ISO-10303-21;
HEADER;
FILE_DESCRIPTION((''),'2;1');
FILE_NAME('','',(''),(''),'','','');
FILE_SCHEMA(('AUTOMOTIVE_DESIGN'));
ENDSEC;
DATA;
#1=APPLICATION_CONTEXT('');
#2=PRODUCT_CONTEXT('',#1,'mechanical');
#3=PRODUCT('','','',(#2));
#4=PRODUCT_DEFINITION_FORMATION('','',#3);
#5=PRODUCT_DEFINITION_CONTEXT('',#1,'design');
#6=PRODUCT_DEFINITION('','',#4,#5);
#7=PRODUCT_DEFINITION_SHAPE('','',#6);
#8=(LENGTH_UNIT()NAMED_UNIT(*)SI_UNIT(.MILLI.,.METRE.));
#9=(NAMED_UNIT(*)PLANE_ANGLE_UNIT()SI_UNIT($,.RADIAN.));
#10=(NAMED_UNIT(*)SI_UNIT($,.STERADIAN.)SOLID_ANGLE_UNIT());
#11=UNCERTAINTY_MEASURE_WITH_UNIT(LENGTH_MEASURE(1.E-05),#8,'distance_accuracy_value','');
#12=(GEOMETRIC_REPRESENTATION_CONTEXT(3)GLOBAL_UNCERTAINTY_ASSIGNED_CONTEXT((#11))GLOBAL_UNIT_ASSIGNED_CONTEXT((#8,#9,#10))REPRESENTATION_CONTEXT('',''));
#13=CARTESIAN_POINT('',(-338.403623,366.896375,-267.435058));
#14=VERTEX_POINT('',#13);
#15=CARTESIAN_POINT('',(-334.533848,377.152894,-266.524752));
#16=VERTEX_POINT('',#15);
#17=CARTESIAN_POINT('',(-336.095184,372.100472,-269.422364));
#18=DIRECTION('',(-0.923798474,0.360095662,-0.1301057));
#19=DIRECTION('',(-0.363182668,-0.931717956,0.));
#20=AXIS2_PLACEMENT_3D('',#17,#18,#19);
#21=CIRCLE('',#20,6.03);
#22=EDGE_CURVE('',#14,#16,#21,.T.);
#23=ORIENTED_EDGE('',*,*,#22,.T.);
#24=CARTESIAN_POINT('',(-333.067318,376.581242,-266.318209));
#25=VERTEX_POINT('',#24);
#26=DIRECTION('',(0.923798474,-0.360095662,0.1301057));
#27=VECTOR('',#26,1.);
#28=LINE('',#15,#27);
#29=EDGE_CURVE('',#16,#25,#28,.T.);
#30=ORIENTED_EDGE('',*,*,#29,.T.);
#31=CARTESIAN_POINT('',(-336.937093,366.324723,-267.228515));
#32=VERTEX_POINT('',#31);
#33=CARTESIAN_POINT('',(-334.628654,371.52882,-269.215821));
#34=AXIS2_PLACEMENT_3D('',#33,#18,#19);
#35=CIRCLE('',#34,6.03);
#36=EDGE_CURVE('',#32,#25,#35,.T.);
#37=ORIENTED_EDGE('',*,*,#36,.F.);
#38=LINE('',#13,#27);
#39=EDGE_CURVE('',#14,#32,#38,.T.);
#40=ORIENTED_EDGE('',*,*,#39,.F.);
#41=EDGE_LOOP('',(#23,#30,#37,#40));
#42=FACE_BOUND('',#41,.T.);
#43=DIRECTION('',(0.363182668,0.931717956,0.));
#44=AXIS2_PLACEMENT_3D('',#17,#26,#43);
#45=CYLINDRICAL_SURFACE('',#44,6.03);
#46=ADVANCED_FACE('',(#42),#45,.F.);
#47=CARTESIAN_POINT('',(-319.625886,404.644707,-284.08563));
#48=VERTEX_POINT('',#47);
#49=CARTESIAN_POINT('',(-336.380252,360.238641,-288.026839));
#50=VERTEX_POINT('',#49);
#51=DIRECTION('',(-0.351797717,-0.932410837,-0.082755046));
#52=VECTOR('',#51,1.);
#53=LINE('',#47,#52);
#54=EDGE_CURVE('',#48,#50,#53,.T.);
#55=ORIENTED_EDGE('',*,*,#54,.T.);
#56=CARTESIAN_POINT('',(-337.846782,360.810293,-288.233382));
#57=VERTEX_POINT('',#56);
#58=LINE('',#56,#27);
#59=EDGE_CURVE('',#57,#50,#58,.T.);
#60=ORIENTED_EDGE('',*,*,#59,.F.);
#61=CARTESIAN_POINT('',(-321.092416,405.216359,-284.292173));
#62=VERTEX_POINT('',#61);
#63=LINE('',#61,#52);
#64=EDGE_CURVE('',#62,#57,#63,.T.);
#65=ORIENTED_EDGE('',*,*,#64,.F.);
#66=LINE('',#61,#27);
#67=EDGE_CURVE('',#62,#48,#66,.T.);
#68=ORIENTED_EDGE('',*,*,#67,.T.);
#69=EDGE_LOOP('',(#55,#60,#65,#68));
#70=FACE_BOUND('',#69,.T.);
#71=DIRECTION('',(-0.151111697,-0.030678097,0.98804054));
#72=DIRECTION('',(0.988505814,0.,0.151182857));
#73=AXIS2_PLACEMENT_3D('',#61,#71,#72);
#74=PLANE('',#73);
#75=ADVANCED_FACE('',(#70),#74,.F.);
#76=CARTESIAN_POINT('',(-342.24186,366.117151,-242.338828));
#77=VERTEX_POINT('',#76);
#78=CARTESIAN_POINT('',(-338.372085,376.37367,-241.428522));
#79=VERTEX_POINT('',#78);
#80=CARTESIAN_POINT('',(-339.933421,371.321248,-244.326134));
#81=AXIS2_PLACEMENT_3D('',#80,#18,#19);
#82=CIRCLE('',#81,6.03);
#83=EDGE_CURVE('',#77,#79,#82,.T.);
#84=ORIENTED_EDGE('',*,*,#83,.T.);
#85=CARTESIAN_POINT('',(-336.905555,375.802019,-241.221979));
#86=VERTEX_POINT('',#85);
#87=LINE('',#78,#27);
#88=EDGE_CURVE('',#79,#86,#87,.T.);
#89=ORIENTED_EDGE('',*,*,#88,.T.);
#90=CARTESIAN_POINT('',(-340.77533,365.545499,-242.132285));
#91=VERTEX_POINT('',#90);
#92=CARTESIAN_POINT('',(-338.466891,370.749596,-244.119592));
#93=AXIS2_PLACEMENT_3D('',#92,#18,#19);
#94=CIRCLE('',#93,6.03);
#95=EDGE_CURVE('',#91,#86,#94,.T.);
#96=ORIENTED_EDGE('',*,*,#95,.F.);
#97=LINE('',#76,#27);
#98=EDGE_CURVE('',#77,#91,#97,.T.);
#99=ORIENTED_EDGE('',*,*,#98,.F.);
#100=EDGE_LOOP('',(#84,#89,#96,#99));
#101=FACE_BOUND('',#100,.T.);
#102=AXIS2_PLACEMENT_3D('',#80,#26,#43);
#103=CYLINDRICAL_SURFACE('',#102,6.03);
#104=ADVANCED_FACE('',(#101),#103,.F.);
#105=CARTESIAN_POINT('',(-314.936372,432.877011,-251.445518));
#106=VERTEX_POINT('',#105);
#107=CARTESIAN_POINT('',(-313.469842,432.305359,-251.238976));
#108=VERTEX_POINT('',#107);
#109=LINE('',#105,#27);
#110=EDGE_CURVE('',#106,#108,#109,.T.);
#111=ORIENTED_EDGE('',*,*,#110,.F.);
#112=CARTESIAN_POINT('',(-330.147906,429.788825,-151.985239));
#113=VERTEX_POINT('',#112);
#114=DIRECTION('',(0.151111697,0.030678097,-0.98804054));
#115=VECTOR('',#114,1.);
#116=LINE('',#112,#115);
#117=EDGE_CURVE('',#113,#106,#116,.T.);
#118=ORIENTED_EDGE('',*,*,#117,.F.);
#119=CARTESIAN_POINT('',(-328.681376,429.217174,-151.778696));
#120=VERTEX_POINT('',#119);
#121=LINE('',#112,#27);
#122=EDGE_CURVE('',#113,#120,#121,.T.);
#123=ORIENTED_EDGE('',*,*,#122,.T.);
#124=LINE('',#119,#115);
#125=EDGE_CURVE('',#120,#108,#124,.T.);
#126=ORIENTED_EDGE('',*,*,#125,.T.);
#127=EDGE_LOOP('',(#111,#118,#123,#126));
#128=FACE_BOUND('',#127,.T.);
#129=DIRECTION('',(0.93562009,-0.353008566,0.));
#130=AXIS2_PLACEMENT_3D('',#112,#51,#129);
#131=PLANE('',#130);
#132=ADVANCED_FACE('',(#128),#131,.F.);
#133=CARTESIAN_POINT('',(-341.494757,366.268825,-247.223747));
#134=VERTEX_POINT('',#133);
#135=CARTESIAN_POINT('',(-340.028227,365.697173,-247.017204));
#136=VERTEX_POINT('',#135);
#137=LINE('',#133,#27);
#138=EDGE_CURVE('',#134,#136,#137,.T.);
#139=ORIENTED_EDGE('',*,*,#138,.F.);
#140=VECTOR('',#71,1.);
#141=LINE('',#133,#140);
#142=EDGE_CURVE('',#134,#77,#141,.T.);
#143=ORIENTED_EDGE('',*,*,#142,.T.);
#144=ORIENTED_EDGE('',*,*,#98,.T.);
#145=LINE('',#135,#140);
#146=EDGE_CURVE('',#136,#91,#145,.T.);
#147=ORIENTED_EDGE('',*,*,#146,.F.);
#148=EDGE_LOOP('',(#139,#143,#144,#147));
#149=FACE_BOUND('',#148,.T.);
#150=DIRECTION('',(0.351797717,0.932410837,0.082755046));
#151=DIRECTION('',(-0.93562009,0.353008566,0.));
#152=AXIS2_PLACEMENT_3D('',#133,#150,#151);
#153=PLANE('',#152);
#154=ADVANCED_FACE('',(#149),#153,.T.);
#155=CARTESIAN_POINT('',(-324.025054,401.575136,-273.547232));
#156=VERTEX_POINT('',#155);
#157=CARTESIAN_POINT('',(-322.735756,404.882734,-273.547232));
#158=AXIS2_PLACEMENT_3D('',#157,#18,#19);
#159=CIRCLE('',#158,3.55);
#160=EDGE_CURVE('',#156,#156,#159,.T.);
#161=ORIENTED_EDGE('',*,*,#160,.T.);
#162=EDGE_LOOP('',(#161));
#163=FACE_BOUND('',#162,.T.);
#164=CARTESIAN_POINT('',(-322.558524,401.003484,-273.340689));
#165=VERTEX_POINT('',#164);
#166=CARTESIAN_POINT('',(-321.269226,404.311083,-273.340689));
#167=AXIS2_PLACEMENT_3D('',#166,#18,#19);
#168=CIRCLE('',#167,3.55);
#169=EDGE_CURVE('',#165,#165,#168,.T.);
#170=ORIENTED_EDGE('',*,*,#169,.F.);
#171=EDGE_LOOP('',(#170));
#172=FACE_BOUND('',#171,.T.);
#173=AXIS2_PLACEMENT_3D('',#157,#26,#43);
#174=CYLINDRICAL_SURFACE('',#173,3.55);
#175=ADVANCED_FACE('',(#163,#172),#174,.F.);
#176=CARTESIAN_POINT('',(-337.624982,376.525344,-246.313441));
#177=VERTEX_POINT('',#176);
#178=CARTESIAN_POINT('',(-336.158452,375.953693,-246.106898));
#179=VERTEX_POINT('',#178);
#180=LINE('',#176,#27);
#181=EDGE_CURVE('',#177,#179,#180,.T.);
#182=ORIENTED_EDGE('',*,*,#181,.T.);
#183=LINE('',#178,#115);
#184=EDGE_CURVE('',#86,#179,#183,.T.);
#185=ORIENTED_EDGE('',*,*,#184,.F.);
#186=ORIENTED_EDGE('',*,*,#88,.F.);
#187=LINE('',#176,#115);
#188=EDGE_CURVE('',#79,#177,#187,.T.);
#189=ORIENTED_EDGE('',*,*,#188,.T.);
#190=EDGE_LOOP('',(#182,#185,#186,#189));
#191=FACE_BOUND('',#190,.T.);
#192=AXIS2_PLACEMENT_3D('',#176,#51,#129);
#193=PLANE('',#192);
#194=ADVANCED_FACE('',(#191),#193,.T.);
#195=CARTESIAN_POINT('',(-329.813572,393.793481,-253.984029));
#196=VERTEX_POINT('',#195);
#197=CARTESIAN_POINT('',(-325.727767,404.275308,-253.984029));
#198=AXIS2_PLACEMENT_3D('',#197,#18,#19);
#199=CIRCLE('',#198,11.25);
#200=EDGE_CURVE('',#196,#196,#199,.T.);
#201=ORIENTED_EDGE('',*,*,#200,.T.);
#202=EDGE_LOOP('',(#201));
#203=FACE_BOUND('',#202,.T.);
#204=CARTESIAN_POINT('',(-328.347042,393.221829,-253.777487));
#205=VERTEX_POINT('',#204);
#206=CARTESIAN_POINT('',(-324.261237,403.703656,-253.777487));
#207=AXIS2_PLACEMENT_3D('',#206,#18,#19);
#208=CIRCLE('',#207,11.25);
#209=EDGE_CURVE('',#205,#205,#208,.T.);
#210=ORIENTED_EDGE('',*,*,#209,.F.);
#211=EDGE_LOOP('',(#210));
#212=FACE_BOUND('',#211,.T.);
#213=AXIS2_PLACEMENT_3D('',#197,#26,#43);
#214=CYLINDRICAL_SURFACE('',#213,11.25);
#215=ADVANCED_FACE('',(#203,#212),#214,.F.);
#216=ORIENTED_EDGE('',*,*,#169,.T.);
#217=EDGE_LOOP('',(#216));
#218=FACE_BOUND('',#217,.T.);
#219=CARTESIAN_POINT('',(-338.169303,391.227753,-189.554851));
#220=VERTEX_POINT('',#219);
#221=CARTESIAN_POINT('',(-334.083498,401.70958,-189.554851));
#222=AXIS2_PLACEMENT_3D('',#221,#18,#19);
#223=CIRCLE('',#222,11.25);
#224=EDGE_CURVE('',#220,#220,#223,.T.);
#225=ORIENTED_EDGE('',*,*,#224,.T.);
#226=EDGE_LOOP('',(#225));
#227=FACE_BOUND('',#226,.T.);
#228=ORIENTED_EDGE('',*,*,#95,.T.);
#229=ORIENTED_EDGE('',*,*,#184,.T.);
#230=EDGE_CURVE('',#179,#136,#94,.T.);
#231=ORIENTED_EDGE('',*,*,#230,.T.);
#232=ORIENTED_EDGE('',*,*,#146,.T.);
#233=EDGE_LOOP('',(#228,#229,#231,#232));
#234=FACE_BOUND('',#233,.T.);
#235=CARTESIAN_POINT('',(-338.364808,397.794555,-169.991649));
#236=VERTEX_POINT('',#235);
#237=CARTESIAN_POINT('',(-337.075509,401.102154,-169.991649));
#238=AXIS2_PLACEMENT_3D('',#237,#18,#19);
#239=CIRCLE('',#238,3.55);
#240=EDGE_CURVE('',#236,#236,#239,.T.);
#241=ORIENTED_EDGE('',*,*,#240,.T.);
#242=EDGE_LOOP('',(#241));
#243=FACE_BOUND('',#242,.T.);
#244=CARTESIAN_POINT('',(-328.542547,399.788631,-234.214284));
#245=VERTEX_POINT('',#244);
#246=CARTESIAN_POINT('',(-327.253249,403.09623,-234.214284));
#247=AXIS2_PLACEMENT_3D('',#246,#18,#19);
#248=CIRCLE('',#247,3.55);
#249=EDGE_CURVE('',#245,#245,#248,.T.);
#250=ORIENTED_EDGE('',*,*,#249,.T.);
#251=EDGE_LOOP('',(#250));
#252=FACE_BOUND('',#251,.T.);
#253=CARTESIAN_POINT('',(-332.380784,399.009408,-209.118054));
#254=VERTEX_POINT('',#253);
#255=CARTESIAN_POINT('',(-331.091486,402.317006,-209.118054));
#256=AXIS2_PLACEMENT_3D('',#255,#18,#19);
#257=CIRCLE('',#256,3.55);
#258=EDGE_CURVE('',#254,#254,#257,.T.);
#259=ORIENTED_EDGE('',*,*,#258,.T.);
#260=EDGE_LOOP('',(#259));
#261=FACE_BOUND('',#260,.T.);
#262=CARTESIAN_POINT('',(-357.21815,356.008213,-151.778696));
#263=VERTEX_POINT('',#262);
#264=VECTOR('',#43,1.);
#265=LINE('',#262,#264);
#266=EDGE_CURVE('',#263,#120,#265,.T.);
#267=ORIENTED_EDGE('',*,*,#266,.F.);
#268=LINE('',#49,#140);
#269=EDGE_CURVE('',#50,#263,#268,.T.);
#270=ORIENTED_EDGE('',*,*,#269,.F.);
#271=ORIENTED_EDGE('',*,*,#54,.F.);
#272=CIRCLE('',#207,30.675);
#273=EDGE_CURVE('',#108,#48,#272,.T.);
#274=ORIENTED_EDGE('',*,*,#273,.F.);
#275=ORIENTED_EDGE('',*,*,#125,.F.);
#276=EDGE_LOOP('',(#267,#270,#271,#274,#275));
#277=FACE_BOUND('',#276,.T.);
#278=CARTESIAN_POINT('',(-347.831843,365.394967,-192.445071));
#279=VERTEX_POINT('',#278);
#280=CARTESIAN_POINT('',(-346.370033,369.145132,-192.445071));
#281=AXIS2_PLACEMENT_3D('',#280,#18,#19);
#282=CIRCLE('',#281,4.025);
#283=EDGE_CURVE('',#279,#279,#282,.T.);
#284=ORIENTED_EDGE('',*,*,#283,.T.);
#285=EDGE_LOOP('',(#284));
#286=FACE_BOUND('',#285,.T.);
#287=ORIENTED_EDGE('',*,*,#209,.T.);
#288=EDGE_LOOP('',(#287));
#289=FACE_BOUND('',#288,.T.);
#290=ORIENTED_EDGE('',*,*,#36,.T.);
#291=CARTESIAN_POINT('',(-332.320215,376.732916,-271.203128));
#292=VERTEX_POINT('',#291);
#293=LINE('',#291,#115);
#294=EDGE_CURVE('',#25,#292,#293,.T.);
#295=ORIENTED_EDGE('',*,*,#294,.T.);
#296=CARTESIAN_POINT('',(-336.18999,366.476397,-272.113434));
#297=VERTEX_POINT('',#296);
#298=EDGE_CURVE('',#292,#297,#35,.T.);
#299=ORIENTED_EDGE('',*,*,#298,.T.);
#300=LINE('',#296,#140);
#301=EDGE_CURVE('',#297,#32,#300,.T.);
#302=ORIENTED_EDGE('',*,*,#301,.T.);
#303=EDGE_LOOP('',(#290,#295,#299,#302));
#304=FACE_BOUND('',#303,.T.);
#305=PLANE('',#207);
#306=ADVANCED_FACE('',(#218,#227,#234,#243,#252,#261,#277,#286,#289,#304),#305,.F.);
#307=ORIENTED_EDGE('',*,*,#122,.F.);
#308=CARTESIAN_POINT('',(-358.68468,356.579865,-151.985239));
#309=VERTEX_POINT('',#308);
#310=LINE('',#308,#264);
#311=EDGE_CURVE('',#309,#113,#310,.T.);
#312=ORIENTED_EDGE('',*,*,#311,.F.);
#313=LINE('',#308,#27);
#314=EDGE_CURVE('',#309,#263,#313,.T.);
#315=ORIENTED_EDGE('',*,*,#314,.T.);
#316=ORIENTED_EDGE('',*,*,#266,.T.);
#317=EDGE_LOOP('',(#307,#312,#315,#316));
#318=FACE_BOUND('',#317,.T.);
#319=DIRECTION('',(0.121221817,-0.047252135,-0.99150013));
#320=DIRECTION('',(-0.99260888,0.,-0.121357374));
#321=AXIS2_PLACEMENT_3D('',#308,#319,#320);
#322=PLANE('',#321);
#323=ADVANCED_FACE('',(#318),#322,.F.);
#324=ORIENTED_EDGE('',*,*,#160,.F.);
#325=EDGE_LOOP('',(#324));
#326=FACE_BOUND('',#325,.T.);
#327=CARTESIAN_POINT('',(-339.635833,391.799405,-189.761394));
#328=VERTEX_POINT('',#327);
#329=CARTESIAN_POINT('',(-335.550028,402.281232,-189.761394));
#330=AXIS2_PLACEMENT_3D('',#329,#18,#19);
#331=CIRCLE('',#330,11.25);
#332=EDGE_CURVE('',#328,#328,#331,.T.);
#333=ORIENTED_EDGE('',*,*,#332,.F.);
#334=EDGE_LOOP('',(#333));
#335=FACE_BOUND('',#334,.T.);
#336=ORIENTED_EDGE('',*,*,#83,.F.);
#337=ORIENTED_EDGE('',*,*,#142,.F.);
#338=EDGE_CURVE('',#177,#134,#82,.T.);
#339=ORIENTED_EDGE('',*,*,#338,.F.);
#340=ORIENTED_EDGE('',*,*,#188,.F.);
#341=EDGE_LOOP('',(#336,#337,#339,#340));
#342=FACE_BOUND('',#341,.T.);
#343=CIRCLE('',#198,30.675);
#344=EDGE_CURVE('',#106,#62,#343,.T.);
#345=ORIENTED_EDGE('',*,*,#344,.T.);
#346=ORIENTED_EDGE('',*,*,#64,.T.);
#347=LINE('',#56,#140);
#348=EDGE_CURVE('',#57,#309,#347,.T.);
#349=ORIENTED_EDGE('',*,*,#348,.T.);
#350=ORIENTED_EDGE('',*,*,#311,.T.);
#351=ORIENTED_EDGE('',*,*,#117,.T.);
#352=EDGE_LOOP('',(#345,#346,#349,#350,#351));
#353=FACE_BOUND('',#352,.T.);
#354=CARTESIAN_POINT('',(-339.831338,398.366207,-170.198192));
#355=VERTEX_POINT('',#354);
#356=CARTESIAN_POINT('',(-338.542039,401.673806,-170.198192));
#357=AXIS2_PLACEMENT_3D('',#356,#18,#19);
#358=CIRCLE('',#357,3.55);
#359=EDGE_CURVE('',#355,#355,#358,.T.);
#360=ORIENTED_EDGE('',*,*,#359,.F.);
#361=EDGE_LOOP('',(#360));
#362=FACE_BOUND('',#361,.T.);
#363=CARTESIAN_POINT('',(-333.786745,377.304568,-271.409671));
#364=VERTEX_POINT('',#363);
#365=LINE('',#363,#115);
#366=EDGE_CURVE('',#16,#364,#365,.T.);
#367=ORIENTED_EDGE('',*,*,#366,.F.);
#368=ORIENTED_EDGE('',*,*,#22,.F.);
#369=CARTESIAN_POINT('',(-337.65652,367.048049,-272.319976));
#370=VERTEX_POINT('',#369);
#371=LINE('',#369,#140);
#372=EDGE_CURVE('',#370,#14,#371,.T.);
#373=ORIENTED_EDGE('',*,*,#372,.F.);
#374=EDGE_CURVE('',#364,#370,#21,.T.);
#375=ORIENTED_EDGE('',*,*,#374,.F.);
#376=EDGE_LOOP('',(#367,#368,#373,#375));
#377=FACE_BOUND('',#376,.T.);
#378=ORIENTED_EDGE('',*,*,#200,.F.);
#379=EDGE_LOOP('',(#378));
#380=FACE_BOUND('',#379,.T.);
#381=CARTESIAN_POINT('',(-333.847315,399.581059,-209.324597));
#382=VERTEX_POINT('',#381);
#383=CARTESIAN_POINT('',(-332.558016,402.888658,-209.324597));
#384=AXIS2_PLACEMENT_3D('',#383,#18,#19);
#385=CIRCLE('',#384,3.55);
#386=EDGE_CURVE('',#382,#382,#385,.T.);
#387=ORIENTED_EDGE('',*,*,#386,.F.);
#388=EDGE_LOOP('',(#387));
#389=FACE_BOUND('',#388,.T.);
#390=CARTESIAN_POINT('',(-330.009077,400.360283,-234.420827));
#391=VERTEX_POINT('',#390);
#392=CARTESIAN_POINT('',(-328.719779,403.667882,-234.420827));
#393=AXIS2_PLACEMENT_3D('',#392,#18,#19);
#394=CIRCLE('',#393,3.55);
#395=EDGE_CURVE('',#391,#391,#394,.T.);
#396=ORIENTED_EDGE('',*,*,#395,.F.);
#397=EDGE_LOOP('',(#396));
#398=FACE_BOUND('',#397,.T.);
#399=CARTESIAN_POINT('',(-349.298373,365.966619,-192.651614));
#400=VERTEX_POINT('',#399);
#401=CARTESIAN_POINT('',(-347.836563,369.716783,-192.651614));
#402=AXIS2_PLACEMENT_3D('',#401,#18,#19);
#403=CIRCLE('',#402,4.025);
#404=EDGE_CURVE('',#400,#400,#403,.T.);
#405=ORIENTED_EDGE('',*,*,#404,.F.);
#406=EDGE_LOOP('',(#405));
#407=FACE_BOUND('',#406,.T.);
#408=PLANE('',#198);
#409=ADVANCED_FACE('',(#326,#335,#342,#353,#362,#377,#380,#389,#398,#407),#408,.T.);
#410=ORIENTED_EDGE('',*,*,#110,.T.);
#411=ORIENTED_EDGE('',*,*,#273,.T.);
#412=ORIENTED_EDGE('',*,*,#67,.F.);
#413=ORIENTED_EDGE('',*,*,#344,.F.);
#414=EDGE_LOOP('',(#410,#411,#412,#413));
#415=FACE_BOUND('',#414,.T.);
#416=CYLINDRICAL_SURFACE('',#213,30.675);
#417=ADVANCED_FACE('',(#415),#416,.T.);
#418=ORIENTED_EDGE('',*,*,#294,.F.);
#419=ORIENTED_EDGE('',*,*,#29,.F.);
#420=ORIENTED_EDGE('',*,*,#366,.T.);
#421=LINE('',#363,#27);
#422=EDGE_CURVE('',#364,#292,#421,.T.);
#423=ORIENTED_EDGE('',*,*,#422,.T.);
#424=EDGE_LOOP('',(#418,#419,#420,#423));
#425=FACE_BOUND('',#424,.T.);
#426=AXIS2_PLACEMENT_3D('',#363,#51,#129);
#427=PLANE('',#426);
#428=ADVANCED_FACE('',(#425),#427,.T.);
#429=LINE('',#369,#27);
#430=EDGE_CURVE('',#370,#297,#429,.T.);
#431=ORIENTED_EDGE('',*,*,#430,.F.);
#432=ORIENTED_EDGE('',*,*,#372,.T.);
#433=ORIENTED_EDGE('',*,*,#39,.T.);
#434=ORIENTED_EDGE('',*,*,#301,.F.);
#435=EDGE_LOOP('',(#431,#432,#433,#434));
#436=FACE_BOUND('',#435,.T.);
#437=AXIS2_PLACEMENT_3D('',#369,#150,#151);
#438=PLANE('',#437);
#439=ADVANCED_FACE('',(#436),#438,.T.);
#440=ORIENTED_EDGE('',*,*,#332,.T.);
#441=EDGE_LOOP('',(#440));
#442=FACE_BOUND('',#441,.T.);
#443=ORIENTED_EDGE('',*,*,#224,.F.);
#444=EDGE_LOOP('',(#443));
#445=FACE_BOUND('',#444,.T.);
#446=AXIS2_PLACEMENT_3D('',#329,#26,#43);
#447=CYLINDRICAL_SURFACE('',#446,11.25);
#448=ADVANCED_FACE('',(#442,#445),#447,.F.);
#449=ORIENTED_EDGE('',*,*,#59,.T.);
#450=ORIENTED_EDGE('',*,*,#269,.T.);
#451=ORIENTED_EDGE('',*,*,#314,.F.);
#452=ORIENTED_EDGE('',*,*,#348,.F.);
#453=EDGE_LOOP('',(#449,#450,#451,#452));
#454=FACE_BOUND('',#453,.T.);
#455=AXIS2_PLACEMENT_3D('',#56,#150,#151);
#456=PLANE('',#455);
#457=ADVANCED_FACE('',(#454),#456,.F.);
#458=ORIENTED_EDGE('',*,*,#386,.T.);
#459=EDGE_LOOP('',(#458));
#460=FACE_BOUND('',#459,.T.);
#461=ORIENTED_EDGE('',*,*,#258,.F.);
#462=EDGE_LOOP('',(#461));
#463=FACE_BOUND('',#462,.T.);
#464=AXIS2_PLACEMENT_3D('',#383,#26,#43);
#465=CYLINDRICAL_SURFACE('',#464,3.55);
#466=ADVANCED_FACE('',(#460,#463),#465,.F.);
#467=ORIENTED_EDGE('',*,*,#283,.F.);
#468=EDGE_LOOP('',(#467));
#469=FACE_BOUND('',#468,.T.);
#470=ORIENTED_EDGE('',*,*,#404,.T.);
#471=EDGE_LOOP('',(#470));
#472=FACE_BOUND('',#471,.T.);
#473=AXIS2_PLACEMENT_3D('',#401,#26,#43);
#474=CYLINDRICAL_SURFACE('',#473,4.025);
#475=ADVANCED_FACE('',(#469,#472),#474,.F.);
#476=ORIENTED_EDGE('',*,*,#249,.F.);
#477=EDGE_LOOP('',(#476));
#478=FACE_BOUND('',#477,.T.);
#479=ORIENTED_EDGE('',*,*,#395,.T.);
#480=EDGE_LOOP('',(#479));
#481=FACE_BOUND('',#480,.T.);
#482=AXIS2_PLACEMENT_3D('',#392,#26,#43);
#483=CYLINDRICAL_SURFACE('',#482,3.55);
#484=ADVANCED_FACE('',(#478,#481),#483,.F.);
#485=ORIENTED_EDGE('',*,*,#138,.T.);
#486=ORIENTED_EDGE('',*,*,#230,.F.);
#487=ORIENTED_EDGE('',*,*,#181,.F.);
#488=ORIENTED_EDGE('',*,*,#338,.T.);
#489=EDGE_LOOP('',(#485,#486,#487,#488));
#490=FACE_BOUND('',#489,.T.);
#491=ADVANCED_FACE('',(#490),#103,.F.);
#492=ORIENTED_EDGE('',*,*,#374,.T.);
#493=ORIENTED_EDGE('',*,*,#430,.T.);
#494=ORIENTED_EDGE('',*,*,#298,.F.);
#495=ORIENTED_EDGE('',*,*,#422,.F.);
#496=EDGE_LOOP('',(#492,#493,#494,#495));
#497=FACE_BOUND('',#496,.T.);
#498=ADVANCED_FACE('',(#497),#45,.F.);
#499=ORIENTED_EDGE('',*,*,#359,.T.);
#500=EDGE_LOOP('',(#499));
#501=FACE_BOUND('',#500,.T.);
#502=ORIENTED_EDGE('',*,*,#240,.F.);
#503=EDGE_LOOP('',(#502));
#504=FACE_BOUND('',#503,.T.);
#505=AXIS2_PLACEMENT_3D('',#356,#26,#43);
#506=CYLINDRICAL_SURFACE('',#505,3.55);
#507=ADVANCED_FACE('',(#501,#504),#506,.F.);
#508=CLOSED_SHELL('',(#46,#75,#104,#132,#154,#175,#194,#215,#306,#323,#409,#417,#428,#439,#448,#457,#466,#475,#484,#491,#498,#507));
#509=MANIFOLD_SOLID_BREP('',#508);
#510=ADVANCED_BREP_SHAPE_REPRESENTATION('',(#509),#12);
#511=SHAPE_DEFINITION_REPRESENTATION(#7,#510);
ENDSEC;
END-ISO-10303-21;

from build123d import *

# Parameters (mm, degrees)
SKETCH39_R          = 11.25
SKETCH39_R_2        = 3.55
SKETCH39_R_3        = 4.024999951
BOSS_EXTRUDE1_DEPTH = 1.5875


with BuildPart() as part:
    # Sketch39 → Boss-Extrude1 (new body)
    with BuildSketch(Plane(origin=(-441.521969452, 172.104793819, -62.182961286), x_dir=(-0.12122181659134341, 0.04725213510134498, 0.9915001295565519), z_dir=(-0.9237984742451071, 0.3600956621414251, -0.1301056996804562))):
        with BuildLine():
            Line((-227.779978176, 213.473332746), (-90.363815922, 201.963804234))
            Line((-90.363815922, 201.963804234), (-90.363815922, 280.537968932))
            Line((-90.363815922, 280.537968932), (-190.676741831, 288.939851665))
            ThreePointArc((-190.676741831, 288.939851665), (-213.041445426, 281.797087727), (-223.80498218, 260.932157339))
            Line((-223.80498218, 260.932157339), (-227.779978176, 213.473332746))
        make_face()
        with Locations((-128.463815922, 252.946692942)):
            Circle(SKETCH39_R, mode=Mode.SUBTRACT)
        with Locations((-108.73290302, 251.294096181)):
            Circle(SKETCH39_R_2, mode=Mode.SUBTRACT)
        with Locations((-148.194728824, 254.599289703)):
            Circle(SKETCH39_R_2, mode=Mode.SUBTRACT)
        with Locations((-193.237014843, 258.371884328)):
            Circle(SKETCH39_R, mode=Mode.SUBTRACT)
        with Locations((-173.506101941, 256.719287567)):
            Circle(SKETCH39_R_2, mode=Mode.SUBTRACT)
        with Locations((-212.967927745, 260.024481088)):
            Circle(SKETCH39_R_2, mode=Mode.SUBTRACT)
        with Locations((-131.378812986, 218.143554906)):
            Circle(SKETCH39_R_3, mode=Mode.SUBTRACT)
        with BuildLine():
            Line((-210.812041783, 230.315880525), (-205.885245836, 229.903228203))
            ThreePointArc((-205.885245836, 229.903228203), (-202.798738622, 224.125454392), (-206.803355147, 218.941609924))
            Line((-206.803355147, 218.941609924), (-211.730151094, 219.354262246))
            ThreePointArc((-211.730151094, 219.354262246), (-214.816658309, 225.132036057), (-210.812041783, 230.315880525))
        make_face(mode=Mode.SUBTRACT)
        with BuildLine():
            Line((-185.500668667, 228.195882655), (-180.57387272, 227.783230333))
            ThreePointArc((-180.57387272, 227.783230333), (-177.48736551, 222.005456528), (-181.49198203, 216.821612065))
            Line((-181.49198203, 216.821612065), (-186.418777977, 217.234264387))
            ThreePointArc((-186.418777977, 217.234264387), (-189.505285187, 223.012038192), (-185.500668667, 228.195882655))
        make_face(mode=Mode.SUBTRACT)
    extrude(amount=BOSS_EXTRUDE1_DEPTH)


solid = part.part
